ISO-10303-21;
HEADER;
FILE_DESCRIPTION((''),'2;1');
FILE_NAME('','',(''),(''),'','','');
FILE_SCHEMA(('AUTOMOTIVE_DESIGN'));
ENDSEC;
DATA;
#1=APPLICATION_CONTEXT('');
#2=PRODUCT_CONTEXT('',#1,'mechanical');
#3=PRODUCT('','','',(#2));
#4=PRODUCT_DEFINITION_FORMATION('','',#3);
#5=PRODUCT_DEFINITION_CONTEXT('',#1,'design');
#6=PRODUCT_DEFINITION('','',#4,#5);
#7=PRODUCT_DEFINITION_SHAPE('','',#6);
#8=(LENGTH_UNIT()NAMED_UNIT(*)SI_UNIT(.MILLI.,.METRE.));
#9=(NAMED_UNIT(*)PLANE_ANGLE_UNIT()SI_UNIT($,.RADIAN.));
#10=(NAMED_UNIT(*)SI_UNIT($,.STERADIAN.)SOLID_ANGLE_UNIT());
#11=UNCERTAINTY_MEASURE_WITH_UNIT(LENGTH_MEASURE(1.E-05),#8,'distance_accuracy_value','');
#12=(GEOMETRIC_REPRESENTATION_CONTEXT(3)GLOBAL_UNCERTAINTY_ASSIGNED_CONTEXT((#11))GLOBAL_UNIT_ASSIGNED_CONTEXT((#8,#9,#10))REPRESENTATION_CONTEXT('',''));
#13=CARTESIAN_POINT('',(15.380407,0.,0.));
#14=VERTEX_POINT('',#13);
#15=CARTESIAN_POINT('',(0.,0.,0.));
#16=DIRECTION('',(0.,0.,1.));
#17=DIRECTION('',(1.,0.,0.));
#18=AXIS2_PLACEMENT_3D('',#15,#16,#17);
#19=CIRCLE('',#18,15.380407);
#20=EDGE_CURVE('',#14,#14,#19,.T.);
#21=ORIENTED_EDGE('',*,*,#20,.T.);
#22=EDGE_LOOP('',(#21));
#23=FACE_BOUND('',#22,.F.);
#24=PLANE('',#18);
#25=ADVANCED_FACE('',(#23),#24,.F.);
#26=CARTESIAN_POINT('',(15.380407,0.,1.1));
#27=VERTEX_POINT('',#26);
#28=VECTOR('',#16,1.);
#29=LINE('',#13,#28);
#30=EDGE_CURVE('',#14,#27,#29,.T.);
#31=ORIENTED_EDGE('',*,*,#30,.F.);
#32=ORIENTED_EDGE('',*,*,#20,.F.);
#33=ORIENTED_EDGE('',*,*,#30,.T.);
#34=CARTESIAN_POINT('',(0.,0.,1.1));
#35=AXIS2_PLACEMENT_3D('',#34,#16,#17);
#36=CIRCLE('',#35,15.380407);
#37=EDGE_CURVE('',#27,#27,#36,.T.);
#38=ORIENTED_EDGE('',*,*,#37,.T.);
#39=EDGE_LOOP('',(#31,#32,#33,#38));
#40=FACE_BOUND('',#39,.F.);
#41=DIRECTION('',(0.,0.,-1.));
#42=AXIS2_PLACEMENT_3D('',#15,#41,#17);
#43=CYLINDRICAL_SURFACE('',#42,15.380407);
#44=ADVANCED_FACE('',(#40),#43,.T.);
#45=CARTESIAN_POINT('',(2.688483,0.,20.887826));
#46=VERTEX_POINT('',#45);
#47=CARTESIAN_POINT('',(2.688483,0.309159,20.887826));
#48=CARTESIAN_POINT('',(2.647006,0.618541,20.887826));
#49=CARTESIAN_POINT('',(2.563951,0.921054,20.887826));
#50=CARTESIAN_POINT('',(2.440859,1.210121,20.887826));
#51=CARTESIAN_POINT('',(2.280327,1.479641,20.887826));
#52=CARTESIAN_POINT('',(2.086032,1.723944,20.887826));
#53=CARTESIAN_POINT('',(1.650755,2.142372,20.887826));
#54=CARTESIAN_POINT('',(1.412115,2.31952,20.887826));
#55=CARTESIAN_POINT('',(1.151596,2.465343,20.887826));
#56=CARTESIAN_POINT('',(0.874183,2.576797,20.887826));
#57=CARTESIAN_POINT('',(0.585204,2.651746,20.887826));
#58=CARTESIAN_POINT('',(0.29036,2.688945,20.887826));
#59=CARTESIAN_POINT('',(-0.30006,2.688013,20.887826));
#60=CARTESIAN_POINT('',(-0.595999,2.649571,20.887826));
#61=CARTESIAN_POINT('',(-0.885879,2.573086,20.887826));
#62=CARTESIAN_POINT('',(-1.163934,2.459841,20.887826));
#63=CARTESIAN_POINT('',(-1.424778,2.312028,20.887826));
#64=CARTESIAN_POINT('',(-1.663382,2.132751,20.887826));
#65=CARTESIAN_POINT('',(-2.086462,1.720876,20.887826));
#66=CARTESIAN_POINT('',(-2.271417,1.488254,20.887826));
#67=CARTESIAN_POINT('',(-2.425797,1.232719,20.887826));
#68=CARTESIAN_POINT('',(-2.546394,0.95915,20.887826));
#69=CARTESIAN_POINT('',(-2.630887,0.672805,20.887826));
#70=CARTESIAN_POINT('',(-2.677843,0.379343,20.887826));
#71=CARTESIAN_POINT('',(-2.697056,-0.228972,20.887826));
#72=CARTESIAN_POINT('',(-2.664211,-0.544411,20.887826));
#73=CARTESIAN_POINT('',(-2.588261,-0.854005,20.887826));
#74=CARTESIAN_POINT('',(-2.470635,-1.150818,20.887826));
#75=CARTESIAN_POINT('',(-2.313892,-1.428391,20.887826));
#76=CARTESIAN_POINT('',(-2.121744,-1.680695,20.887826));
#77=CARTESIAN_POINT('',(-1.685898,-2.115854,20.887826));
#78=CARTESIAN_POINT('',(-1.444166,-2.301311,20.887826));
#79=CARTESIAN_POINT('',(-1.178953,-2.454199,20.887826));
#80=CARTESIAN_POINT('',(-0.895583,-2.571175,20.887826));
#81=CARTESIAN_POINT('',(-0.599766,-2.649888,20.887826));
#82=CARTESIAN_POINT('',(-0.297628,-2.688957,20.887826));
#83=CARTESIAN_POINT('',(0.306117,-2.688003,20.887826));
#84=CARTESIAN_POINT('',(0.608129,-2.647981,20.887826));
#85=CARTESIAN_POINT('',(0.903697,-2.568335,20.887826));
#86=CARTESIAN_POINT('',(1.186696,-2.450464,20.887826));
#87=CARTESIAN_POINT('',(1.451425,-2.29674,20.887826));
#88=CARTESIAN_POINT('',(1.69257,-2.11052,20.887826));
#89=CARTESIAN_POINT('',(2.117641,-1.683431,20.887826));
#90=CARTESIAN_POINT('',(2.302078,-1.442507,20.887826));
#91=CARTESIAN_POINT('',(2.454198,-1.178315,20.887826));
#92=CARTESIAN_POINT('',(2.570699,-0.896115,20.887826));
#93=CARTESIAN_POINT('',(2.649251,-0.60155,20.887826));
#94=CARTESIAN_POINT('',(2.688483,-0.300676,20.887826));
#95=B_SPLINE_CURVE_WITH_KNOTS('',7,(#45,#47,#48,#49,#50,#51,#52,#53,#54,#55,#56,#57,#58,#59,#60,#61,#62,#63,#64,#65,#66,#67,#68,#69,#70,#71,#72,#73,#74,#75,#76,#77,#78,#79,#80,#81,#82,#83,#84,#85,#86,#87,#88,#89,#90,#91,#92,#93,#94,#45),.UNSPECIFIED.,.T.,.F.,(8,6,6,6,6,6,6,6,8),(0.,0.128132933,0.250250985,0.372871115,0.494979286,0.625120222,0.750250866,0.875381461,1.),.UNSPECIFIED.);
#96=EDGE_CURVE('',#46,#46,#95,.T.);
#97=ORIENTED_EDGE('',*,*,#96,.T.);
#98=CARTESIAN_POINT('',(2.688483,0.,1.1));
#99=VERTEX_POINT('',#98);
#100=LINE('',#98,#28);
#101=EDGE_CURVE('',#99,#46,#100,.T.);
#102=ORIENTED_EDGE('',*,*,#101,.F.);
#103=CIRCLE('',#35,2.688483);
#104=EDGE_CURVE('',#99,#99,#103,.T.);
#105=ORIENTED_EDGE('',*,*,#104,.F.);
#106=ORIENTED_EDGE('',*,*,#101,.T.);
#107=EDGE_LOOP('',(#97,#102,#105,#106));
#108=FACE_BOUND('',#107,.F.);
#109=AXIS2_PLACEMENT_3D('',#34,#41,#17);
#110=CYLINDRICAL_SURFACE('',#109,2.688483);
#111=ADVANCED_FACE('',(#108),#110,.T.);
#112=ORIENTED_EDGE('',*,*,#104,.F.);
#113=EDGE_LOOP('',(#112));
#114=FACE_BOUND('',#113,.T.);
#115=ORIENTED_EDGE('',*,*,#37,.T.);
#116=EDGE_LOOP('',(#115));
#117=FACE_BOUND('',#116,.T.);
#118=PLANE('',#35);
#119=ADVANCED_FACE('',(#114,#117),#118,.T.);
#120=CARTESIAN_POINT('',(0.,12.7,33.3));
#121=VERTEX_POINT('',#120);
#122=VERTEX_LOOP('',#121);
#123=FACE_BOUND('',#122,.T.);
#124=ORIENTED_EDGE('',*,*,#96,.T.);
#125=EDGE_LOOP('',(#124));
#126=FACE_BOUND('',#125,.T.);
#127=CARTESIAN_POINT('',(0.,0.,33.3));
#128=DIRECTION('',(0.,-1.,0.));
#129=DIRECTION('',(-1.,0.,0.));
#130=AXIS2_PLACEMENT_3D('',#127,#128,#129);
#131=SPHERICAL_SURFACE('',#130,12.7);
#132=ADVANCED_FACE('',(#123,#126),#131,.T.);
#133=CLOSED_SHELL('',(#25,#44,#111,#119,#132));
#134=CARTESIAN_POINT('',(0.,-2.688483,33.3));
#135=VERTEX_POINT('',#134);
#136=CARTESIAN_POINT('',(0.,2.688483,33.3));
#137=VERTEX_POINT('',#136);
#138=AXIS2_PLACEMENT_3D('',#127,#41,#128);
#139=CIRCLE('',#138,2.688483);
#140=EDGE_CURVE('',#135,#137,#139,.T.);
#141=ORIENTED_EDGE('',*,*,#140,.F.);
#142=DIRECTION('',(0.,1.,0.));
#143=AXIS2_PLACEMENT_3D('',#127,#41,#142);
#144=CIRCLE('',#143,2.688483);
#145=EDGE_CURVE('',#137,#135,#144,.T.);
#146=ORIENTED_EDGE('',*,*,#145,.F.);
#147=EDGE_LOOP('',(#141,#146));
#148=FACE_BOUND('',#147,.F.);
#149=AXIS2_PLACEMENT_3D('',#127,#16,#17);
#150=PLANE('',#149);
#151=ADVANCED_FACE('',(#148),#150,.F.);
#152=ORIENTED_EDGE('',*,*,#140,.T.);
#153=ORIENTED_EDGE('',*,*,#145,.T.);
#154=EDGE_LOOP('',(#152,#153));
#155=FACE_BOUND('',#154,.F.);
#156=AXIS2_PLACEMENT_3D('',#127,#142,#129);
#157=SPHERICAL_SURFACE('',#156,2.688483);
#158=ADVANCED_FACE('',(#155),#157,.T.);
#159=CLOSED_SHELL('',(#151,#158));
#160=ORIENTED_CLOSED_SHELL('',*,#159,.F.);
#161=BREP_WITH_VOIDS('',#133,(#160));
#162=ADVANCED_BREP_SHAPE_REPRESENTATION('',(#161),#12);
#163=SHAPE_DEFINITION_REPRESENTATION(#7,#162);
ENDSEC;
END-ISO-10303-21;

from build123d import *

# Parameters (mm, degrees)
F0_R     = 15.380407463
F1_DEPTH = 1.1
F2_R     = 2.6884833656
F3_DEPTH = 32.2


with BuildPart() as f1:
    # F0 (on Top) → F1 (new body)
    with BuildSketch(Plane.XY):
        Circle(F0_R)
    extrude(amount=F1_DEPTH)

    # F2 (on face) → F3 (join)
    with BuildSketch(Plane.XY.offset(1.1)):
        Circle(F2_R)
    extrude(amount=F3_DEPTH)

    # F4 (on face) → F5 (revolve)
    with BuildSketch(Plane.XY.offset(33.3)):
        with BuildLine():
            Line((0, 2.6884833656), (0, 12.7))
            ThreePointArc((0, 12.7), (-12.7, 0), (0, -12.7))
            Line((0, -12.7), (0, -2.6884833656))
            ThreePointArc((0, -2.6884833656), (-2.6884833656, 0), (0, 2.6884833656))
        make_face()
    revolve(axis=Axis((0, 0, 33.3), (0, -1, 0)))


solid = f1.part
